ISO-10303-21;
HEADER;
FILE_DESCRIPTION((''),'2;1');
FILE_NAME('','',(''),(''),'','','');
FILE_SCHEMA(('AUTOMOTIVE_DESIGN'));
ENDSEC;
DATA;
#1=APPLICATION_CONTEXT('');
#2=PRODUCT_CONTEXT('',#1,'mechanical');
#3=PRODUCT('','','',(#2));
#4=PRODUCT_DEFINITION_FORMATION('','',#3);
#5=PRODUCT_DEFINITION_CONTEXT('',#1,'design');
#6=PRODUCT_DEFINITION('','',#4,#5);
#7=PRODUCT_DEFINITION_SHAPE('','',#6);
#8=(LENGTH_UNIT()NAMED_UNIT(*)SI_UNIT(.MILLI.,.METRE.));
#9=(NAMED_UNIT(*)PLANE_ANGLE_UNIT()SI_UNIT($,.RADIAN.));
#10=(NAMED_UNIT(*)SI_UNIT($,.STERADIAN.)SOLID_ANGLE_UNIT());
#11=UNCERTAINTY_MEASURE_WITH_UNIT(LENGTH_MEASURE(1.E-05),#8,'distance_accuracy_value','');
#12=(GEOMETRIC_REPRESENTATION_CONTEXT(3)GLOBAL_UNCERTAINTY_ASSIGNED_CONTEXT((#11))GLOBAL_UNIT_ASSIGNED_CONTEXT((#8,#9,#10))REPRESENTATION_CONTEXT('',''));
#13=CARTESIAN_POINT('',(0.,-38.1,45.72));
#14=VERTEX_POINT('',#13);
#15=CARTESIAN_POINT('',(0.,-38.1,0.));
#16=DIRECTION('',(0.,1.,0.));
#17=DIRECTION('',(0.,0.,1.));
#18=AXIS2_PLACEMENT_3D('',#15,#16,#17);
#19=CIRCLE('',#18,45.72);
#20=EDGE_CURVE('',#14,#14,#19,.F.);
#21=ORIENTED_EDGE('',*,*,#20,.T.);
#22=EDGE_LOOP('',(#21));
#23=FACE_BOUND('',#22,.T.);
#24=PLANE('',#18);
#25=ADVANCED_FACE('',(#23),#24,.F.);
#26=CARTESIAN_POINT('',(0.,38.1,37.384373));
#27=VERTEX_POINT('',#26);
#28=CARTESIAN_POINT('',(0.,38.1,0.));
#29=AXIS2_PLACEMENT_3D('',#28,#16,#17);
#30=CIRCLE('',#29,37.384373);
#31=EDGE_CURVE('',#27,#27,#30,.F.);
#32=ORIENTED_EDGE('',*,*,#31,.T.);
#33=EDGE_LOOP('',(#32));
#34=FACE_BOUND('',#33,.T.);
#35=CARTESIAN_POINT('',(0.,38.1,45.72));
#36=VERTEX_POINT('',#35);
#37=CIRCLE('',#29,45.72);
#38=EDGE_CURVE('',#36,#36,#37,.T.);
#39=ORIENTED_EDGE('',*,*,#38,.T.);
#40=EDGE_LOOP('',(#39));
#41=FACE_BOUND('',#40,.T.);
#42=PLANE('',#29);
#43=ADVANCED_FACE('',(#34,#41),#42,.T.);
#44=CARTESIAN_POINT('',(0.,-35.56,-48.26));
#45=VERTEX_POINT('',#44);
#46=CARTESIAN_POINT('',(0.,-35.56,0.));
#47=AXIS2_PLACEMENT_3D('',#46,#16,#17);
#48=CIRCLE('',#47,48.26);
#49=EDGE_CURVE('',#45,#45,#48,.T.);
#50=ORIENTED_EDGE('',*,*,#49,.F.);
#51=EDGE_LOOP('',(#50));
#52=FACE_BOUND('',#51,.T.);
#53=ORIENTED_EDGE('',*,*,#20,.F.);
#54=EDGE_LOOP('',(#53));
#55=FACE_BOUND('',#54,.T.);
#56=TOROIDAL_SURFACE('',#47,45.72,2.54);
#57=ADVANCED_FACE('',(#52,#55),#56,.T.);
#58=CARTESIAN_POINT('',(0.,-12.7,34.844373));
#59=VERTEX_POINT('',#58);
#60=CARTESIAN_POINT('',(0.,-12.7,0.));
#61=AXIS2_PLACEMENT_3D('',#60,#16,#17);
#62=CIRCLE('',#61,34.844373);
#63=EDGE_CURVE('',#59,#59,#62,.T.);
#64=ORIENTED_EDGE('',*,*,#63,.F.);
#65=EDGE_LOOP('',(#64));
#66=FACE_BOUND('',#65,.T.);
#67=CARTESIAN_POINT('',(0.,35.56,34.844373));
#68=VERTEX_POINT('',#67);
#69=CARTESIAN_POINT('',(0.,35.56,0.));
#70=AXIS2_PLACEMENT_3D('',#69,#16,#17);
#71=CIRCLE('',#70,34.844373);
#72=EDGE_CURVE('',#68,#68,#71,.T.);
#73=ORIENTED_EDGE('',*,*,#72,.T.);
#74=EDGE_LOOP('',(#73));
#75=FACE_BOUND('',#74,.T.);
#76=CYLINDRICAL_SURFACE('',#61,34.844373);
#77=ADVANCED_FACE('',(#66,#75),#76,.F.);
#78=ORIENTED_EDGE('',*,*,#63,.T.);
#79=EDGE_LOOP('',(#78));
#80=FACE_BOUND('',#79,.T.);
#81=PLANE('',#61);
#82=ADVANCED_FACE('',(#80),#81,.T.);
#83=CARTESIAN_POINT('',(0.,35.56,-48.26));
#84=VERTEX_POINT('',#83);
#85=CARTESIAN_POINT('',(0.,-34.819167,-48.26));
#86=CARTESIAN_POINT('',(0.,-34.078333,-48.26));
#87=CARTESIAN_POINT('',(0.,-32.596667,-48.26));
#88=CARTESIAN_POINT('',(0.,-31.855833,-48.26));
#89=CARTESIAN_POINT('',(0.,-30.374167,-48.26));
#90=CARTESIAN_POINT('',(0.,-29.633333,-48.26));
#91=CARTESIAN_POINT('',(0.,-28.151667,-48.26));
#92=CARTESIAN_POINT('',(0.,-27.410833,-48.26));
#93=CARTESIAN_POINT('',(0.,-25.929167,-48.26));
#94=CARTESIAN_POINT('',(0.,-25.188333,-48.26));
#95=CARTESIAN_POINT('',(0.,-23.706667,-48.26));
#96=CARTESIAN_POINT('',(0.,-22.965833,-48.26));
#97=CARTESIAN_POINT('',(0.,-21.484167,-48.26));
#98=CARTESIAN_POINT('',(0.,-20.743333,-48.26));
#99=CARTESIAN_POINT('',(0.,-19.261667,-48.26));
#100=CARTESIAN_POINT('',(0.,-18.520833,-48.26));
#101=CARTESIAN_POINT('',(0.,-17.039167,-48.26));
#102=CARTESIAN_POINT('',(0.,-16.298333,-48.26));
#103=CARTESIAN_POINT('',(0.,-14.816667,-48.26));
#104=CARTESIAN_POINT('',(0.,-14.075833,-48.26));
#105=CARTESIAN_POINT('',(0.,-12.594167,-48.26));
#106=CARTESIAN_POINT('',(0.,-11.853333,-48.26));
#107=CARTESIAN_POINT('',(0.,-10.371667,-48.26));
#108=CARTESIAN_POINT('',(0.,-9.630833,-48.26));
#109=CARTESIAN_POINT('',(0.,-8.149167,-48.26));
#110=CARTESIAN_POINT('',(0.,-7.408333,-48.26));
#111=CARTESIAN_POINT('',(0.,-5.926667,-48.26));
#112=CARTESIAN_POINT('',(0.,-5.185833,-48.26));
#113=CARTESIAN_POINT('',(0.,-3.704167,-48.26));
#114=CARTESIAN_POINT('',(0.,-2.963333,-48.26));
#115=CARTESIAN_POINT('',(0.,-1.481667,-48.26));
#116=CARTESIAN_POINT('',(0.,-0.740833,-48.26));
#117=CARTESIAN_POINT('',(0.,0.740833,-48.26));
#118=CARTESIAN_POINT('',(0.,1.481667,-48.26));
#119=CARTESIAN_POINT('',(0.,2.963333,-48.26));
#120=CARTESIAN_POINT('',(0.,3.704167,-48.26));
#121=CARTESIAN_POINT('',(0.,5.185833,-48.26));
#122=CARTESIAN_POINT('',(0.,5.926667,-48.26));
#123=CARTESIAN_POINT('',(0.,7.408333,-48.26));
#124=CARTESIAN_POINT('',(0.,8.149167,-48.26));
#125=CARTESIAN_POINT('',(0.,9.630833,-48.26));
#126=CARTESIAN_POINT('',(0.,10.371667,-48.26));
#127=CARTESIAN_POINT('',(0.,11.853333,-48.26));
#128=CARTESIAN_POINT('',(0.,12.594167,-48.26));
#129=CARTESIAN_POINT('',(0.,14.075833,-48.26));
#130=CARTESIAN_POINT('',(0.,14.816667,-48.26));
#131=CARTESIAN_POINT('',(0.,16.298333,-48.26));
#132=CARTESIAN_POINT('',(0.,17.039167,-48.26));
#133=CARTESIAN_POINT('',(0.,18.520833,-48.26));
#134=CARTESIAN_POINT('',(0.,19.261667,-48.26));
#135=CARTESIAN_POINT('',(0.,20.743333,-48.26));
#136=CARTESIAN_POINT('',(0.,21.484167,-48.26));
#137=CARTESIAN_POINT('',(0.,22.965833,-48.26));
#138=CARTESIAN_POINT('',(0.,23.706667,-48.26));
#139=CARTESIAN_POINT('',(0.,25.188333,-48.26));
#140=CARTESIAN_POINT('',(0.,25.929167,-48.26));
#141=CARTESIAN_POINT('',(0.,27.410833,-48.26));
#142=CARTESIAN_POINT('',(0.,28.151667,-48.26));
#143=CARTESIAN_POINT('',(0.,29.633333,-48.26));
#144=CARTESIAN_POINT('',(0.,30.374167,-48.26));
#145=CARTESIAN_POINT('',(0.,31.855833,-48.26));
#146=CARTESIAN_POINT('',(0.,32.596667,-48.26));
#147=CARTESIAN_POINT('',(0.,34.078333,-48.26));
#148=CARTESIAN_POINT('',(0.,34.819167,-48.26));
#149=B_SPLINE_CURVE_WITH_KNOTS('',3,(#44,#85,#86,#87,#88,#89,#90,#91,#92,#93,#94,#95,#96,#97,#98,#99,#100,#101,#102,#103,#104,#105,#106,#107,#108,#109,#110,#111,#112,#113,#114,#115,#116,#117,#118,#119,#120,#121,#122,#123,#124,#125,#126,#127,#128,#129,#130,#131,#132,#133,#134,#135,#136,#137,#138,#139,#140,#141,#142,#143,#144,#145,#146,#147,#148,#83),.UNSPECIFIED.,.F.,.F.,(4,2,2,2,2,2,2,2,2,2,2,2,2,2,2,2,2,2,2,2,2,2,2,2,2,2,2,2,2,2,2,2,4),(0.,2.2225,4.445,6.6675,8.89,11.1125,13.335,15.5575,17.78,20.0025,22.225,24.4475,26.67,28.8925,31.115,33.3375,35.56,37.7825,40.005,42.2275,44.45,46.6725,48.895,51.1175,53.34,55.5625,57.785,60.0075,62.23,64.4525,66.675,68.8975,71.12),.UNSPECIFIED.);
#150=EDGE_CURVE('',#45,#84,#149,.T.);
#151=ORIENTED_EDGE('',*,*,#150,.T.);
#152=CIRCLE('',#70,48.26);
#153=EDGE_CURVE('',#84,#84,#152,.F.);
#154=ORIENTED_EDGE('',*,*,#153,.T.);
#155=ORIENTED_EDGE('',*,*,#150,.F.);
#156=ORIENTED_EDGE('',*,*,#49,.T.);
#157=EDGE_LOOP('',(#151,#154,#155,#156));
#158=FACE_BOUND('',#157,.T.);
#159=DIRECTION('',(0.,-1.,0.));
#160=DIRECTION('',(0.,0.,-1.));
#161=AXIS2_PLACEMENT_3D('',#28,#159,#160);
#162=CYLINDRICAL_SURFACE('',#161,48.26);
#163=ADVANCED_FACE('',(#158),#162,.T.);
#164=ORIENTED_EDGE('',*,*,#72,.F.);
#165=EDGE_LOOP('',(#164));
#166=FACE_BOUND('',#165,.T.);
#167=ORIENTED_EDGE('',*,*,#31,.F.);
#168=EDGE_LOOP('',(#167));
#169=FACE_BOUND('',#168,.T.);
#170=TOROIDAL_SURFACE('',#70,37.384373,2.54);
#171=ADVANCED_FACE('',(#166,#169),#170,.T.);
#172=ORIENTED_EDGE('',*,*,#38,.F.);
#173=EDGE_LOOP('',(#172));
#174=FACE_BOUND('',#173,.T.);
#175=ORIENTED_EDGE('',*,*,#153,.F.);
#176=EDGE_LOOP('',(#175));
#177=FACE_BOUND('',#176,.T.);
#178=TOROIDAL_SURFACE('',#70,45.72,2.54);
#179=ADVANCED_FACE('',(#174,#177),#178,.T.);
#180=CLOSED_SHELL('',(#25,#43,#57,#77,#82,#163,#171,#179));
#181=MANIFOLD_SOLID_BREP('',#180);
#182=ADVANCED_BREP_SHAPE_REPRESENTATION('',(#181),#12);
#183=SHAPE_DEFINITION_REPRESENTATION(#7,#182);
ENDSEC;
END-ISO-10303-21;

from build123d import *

# Parameters (mm, degrees)
SKETCH1_R           = 48.26
BOSS_EXTRUDE1_DEPTH = 38.1
SKETCH3_R           = 34.844372605
CUT_EXTRUDE2_DEPTH  = 50.8
FILLET1_R           = 2.54


with BuildPart() as part:
    # Sketch1 → Boss-Extrude1 (new, symmetric)
    with BuildSketch(Plane(origin=(0, 0, 0), x_dir=(1, 0, 0), z_dir=(0, 1, 0))):
        with Locations(Location((0, 0, 0), (0, 0, 90))):
            Circle(SKETCH1_R)
    extrude(amount=BOSS_EXTRUDE1_DEPTH, both=True)

    # Sketch3 → Cut-Extrude2 (cut)
    with BuildSketch(Plane(origin=(0, 38.1, 0), x_dir=(1, 0, 0), z_dir=(0, 1, 0))):
        with Locations(Location((0, 0, 0), (0, 0, 270))):
            Circle(SKETCH3_R)
    extrude(amount=-CUT_EXTRUDE2_DEPTH, mode=Mode.SUBTRACT)

    # Fillet1
    fillet1_edges = [part.edges().sort_by_distance(p)[0] for p in [
        (0, -38.1, 48.26),
        (0, 38.1, 48.26),
        (0, 38.1, -34.844372605),
    ]]
    fillet(fillet1_edges, radius=FILLET1_R)


solid = part.part
